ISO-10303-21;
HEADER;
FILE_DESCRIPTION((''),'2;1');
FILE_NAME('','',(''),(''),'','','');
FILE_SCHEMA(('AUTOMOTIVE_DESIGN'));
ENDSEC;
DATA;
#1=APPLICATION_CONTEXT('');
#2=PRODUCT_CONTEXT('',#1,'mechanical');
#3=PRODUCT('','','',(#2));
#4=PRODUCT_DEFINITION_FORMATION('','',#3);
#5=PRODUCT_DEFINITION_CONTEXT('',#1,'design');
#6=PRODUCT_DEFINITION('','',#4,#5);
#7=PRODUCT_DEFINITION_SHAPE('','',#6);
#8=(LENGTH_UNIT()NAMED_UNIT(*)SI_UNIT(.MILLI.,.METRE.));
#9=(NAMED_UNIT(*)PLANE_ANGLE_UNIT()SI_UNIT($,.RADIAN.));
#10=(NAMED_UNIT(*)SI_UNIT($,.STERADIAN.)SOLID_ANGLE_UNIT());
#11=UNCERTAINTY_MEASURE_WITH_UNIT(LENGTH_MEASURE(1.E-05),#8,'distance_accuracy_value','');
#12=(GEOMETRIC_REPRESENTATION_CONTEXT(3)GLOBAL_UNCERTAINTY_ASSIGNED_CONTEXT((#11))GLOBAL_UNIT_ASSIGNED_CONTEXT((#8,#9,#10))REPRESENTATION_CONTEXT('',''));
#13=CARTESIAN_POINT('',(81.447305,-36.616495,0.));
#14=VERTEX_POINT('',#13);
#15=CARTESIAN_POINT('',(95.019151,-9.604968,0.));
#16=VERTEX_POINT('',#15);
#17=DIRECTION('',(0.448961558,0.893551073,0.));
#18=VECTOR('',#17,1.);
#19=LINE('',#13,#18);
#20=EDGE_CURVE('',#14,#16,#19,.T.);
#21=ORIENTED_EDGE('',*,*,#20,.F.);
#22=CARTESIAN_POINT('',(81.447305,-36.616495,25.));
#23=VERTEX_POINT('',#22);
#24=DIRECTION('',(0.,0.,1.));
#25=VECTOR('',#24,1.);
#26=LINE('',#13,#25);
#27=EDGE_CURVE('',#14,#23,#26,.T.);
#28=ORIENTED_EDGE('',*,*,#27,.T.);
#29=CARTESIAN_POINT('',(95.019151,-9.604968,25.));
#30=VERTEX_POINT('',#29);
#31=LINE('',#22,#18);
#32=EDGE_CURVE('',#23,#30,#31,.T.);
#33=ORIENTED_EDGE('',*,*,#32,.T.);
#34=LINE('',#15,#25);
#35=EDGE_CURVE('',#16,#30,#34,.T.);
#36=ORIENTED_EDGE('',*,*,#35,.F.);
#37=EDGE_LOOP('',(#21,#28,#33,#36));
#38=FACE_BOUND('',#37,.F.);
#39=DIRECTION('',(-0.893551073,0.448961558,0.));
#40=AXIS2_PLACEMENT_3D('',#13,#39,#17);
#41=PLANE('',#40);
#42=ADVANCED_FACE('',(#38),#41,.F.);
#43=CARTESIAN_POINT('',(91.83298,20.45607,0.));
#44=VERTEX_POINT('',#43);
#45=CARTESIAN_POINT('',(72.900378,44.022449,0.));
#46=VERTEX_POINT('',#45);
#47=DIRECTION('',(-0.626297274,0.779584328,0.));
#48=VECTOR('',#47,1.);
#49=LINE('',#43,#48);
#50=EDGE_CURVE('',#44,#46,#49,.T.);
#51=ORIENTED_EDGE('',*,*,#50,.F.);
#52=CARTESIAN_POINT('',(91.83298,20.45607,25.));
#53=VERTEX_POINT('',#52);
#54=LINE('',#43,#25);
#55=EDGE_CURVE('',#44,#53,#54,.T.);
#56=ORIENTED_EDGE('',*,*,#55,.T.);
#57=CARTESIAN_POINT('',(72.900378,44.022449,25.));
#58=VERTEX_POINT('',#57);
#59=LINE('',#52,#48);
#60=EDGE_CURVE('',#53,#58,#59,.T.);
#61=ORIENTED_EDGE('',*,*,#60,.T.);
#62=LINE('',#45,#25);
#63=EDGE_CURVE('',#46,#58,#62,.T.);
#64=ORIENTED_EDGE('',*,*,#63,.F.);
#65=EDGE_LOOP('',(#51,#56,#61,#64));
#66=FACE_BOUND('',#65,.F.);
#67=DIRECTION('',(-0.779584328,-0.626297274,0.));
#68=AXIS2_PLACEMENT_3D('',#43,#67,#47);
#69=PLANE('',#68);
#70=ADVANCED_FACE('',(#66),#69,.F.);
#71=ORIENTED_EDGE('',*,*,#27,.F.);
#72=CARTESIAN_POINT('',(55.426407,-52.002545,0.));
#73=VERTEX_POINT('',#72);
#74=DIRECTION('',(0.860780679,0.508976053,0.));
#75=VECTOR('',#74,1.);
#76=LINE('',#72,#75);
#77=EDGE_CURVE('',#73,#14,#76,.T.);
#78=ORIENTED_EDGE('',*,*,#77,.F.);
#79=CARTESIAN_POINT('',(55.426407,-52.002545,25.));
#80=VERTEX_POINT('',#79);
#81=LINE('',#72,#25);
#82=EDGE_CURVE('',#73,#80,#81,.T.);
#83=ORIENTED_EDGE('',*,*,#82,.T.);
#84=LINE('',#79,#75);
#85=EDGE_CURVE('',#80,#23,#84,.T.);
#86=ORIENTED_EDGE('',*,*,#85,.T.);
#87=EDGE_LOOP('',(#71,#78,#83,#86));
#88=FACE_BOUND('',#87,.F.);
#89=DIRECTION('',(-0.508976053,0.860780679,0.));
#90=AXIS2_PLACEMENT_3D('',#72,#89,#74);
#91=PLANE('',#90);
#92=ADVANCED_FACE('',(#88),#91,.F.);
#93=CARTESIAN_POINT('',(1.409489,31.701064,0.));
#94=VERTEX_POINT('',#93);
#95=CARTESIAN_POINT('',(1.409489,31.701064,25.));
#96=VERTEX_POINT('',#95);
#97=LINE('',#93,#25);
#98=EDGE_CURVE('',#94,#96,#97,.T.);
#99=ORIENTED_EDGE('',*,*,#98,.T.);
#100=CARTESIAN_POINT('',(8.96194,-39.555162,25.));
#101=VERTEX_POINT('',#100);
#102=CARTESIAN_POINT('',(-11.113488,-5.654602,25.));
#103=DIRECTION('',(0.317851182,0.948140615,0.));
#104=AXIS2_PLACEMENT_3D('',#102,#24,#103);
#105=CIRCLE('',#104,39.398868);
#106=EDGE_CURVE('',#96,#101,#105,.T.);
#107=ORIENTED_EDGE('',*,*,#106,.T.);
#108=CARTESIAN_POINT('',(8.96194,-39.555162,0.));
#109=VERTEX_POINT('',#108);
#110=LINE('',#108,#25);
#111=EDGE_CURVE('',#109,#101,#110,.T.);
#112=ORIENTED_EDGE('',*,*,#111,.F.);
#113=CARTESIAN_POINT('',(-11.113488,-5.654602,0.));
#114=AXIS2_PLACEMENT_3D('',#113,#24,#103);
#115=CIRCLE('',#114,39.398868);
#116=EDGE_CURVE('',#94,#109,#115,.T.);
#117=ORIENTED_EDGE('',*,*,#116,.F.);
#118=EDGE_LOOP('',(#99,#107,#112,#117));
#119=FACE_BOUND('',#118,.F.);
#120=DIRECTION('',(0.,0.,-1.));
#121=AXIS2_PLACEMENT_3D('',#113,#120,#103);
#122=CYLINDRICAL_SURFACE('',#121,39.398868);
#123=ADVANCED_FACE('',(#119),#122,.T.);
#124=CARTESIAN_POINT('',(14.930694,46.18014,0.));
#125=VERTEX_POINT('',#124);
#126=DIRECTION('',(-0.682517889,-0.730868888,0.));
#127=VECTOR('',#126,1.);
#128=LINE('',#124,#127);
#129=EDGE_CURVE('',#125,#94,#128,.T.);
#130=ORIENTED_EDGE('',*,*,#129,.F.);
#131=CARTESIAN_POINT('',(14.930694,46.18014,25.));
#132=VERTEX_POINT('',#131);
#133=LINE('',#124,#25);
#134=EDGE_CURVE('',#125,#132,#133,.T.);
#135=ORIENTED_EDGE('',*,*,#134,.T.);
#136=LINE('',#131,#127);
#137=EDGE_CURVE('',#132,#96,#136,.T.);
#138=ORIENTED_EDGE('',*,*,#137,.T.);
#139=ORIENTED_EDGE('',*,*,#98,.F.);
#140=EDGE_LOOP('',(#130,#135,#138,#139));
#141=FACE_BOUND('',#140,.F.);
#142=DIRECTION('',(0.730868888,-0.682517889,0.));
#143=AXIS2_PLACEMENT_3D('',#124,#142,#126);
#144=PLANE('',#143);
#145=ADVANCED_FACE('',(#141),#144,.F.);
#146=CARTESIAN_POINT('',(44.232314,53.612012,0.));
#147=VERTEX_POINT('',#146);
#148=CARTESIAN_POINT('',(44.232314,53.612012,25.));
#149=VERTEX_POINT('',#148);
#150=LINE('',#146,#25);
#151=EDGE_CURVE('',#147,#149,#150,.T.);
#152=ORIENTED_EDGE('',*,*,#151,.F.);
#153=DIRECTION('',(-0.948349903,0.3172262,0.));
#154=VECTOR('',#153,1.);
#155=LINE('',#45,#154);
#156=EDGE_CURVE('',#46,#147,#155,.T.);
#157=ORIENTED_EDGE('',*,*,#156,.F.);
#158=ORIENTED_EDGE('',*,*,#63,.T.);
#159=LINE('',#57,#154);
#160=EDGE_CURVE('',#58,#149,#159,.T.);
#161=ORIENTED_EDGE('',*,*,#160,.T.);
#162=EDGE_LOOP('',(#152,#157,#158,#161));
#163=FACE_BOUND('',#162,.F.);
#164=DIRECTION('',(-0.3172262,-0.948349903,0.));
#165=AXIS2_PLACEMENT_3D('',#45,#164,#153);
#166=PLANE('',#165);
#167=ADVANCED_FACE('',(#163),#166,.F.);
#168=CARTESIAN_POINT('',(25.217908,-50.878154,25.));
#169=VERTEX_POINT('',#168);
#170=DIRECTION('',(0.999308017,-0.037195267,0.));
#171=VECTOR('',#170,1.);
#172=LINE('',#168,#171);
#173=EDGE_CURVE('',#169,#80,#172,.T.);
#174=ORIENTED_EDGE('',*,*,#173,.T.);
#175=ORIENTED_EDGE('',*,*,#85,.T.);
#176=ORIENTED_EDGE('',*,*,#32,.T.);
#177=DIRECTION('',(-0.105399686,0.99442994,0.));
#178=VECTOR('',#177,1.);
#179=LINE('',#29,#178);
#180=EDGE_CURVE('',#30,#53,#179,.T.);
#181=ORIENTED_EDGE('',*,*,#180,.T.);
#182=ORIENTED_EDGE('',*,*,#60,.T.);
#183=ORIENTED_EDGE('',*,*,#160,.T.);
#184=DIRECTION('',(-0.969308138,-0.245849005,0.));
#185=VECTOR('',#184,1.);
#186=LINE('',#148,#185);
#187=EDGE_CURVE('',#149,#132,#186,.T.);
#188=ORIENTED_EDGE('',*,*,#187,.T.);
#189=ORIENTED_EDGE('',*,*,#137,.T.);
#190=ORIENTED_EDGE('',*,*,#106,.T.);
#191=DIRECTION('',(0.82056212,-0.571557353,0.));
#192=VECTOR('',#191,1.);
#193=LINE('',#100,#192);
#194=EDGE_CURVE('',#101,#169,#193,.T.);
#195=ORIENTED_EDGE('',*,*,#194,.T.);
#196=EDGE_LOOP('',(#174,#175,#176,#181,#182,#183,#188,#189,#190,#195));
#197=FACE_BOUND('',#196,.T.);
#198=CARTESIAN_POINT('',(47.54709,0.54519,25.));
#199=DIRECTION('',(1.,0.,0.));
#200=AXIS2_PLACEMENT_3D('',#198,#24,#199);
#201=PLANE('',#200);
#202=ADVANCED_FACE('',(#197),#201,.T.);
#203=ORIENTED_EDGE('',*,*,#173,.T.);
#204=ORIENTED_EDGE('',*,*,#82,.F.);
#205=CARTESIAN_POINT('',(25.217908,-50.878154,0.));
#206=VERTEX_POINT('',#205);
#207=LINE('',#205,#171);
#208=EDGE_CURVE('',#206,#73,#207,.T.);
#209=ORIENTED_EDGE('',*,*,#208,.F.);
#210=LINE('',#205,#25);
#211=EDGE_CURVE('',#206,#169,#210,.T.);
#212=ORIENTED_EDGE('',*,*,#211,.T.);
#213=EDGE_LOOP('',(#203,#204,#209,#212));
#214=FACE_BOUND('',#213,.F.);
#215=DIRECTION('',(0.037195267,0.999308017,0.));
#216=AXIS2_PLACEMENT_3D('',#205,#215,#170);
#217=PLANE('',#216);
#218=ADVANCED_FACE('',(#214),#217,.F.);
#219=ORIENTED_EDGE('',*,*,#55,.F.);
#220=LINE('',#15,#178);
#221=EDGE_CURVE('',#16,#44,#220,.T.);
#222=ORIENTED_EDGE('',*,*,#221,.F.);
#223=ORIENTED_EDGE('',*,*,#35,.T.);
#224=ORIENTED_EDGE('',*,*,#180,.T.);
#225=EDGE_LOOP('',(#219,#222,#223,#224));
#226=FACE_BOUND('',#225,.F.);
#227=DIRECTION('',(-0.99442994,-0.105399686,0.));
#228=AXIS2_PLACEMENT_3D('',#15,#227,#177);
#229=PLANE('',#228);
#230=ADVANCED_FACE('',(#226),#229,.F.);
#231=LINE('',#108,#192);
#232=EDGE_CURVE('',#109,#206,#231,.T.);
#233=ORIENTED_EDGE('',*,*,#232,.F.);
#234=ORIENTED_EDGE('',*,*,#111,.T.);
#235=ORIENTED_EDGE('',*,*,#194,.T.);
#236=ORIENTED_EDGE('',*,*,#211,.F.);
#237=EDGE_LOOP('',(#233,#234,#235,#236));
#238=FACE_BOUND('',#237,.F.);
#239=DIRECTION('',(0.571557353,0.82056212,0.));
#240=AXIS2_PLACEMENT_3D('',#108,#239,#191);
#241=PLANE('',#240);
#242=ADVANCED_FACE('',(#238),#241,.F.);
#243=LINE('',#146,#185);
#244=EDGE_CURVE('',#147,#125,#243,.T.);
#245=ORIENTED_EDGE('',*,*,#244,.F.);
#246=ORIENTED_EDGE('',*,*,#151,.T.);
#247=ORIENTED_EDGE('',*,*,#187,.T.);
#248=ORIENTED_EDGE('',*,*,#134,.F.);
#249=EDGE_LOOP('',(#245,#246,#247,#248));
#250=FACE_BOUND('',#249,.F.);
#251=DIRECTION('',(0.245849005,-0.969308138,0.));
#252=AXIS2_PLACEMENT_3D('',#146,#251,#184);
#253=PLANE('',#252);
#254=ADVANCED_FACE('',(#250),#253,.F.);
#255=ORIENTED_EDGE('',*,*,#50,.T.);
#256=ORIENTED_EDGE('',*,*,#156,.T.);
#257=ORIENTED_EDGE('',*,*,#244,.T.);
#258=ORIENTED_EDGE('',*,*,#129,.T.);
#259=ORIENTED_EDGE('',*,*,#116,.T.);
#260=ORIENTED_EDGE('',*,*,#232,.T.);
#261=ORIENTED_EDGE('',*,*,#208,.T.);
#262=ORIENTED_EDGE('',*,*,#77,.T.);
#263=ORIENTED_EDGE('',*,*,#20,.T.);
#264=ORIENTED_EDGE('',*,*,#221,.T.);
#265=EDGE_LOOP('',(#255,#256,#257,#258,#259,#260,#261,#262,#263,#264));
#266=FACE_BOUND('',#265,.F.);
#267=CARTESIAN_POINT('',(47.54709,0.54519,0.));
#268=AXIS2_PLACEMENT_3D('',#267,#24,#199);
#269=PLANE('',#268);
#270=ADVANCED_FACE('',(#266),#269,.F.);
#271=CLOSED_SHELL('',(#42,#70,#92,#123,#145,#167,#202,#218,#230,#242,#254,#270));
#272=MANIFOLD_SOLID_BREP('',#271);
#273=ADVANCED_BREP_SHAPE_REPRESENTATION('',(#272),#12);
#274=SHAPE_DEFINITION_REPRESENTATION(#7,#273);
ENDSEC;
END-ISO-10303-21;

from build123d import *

# Parameters (mm, degrees)
F1_DEPTH = 25


with BuildPart() as f1:
    # F0 (on Top) → F1 (new body)
    with BuildSketch(Plane.XY):
        with BuildLine():
            Line((44.2323138443, 53.6120123524), (14.9306940409, 46.1801402908))
            Line((14.9306940409, 46.1801402908), (1.409488745, 31.7010644379))
            ThreePointArc((1.409488745, 31.7010644379), (20.8682402259, 17.3549575083), (28.2853797095, -5.6546021379))
            ThreePointArc((28.2853797095, -5.6546021379), (23.1153004455, -25.1651330736), (8.9619402095, -39.5551619484))
            Line((8.9619402095, -39.5551619484), (25.2179080922, -50.8781535321))
            Line((25.2179080922, -50.8781535321), (55.4264067271, -52.0025447749))
            Line((55.4264067271, -52.0025447749), (81.447304726, -36.6164954842))
            Line((81.447304726, -36.6164954842), (95.019150829, -9.604967597))
            Line((95.019150829, -9.604967597), (91.8329797925, 20.4560696368))
            Line((91.8329797925, 20.4560696368), (72.9003784082, 44.0224492966))
            Line((72.9003784082, 44.0224492966), (44.2323138443, 53.6120123524))
        make_face()
        with BuildLine():
            ThreePointArc((28.2853797095, -5.6546021379), (20.8682402259, 17.3549575083), (1.409488745, 31.7010644379))
            Line((1.409488745, 31.7010644379), (-5.7014237497, 24.0863999801))
            Line((-5.7014237497, 24.0863999801), (-11.1134879087, -5.6546021379))
            Line((-11.1134879087, -5.6546021379), (0.4127936947, -33.6003080306))
            Line((0.4127936947, -33.6003080306), (8.9619402095, -39.5551619484))
            ThreePointArc((8.9619402095, -39.5551619484), (23.1153004455, -25.1651330736), (28.2853797095, -5.6546021379))
        make_face()
        with BuildLine():
            Line((-5.7014237497, 24.0863999801), (1.409488745, 31.7010644379))
            ThreePointArc((1.409488745, 31.7010644379), (-50.2929014842, -9.8072303985), (8.9619402095, -39.5551619484))
            Line((8.9619402095, -39.5551619484), (0.4127936947, -33.6003080306))
            Line((0.4127936947, -33.6003080306), (-11.1134879087, -5.6546021379))
            Line((-11.1134879087, -5.6546021379), (-5.7014237497, 24.0863999801))
        make_face()
    extrude(amount=F1_DEPTH)


solid = f1.part
